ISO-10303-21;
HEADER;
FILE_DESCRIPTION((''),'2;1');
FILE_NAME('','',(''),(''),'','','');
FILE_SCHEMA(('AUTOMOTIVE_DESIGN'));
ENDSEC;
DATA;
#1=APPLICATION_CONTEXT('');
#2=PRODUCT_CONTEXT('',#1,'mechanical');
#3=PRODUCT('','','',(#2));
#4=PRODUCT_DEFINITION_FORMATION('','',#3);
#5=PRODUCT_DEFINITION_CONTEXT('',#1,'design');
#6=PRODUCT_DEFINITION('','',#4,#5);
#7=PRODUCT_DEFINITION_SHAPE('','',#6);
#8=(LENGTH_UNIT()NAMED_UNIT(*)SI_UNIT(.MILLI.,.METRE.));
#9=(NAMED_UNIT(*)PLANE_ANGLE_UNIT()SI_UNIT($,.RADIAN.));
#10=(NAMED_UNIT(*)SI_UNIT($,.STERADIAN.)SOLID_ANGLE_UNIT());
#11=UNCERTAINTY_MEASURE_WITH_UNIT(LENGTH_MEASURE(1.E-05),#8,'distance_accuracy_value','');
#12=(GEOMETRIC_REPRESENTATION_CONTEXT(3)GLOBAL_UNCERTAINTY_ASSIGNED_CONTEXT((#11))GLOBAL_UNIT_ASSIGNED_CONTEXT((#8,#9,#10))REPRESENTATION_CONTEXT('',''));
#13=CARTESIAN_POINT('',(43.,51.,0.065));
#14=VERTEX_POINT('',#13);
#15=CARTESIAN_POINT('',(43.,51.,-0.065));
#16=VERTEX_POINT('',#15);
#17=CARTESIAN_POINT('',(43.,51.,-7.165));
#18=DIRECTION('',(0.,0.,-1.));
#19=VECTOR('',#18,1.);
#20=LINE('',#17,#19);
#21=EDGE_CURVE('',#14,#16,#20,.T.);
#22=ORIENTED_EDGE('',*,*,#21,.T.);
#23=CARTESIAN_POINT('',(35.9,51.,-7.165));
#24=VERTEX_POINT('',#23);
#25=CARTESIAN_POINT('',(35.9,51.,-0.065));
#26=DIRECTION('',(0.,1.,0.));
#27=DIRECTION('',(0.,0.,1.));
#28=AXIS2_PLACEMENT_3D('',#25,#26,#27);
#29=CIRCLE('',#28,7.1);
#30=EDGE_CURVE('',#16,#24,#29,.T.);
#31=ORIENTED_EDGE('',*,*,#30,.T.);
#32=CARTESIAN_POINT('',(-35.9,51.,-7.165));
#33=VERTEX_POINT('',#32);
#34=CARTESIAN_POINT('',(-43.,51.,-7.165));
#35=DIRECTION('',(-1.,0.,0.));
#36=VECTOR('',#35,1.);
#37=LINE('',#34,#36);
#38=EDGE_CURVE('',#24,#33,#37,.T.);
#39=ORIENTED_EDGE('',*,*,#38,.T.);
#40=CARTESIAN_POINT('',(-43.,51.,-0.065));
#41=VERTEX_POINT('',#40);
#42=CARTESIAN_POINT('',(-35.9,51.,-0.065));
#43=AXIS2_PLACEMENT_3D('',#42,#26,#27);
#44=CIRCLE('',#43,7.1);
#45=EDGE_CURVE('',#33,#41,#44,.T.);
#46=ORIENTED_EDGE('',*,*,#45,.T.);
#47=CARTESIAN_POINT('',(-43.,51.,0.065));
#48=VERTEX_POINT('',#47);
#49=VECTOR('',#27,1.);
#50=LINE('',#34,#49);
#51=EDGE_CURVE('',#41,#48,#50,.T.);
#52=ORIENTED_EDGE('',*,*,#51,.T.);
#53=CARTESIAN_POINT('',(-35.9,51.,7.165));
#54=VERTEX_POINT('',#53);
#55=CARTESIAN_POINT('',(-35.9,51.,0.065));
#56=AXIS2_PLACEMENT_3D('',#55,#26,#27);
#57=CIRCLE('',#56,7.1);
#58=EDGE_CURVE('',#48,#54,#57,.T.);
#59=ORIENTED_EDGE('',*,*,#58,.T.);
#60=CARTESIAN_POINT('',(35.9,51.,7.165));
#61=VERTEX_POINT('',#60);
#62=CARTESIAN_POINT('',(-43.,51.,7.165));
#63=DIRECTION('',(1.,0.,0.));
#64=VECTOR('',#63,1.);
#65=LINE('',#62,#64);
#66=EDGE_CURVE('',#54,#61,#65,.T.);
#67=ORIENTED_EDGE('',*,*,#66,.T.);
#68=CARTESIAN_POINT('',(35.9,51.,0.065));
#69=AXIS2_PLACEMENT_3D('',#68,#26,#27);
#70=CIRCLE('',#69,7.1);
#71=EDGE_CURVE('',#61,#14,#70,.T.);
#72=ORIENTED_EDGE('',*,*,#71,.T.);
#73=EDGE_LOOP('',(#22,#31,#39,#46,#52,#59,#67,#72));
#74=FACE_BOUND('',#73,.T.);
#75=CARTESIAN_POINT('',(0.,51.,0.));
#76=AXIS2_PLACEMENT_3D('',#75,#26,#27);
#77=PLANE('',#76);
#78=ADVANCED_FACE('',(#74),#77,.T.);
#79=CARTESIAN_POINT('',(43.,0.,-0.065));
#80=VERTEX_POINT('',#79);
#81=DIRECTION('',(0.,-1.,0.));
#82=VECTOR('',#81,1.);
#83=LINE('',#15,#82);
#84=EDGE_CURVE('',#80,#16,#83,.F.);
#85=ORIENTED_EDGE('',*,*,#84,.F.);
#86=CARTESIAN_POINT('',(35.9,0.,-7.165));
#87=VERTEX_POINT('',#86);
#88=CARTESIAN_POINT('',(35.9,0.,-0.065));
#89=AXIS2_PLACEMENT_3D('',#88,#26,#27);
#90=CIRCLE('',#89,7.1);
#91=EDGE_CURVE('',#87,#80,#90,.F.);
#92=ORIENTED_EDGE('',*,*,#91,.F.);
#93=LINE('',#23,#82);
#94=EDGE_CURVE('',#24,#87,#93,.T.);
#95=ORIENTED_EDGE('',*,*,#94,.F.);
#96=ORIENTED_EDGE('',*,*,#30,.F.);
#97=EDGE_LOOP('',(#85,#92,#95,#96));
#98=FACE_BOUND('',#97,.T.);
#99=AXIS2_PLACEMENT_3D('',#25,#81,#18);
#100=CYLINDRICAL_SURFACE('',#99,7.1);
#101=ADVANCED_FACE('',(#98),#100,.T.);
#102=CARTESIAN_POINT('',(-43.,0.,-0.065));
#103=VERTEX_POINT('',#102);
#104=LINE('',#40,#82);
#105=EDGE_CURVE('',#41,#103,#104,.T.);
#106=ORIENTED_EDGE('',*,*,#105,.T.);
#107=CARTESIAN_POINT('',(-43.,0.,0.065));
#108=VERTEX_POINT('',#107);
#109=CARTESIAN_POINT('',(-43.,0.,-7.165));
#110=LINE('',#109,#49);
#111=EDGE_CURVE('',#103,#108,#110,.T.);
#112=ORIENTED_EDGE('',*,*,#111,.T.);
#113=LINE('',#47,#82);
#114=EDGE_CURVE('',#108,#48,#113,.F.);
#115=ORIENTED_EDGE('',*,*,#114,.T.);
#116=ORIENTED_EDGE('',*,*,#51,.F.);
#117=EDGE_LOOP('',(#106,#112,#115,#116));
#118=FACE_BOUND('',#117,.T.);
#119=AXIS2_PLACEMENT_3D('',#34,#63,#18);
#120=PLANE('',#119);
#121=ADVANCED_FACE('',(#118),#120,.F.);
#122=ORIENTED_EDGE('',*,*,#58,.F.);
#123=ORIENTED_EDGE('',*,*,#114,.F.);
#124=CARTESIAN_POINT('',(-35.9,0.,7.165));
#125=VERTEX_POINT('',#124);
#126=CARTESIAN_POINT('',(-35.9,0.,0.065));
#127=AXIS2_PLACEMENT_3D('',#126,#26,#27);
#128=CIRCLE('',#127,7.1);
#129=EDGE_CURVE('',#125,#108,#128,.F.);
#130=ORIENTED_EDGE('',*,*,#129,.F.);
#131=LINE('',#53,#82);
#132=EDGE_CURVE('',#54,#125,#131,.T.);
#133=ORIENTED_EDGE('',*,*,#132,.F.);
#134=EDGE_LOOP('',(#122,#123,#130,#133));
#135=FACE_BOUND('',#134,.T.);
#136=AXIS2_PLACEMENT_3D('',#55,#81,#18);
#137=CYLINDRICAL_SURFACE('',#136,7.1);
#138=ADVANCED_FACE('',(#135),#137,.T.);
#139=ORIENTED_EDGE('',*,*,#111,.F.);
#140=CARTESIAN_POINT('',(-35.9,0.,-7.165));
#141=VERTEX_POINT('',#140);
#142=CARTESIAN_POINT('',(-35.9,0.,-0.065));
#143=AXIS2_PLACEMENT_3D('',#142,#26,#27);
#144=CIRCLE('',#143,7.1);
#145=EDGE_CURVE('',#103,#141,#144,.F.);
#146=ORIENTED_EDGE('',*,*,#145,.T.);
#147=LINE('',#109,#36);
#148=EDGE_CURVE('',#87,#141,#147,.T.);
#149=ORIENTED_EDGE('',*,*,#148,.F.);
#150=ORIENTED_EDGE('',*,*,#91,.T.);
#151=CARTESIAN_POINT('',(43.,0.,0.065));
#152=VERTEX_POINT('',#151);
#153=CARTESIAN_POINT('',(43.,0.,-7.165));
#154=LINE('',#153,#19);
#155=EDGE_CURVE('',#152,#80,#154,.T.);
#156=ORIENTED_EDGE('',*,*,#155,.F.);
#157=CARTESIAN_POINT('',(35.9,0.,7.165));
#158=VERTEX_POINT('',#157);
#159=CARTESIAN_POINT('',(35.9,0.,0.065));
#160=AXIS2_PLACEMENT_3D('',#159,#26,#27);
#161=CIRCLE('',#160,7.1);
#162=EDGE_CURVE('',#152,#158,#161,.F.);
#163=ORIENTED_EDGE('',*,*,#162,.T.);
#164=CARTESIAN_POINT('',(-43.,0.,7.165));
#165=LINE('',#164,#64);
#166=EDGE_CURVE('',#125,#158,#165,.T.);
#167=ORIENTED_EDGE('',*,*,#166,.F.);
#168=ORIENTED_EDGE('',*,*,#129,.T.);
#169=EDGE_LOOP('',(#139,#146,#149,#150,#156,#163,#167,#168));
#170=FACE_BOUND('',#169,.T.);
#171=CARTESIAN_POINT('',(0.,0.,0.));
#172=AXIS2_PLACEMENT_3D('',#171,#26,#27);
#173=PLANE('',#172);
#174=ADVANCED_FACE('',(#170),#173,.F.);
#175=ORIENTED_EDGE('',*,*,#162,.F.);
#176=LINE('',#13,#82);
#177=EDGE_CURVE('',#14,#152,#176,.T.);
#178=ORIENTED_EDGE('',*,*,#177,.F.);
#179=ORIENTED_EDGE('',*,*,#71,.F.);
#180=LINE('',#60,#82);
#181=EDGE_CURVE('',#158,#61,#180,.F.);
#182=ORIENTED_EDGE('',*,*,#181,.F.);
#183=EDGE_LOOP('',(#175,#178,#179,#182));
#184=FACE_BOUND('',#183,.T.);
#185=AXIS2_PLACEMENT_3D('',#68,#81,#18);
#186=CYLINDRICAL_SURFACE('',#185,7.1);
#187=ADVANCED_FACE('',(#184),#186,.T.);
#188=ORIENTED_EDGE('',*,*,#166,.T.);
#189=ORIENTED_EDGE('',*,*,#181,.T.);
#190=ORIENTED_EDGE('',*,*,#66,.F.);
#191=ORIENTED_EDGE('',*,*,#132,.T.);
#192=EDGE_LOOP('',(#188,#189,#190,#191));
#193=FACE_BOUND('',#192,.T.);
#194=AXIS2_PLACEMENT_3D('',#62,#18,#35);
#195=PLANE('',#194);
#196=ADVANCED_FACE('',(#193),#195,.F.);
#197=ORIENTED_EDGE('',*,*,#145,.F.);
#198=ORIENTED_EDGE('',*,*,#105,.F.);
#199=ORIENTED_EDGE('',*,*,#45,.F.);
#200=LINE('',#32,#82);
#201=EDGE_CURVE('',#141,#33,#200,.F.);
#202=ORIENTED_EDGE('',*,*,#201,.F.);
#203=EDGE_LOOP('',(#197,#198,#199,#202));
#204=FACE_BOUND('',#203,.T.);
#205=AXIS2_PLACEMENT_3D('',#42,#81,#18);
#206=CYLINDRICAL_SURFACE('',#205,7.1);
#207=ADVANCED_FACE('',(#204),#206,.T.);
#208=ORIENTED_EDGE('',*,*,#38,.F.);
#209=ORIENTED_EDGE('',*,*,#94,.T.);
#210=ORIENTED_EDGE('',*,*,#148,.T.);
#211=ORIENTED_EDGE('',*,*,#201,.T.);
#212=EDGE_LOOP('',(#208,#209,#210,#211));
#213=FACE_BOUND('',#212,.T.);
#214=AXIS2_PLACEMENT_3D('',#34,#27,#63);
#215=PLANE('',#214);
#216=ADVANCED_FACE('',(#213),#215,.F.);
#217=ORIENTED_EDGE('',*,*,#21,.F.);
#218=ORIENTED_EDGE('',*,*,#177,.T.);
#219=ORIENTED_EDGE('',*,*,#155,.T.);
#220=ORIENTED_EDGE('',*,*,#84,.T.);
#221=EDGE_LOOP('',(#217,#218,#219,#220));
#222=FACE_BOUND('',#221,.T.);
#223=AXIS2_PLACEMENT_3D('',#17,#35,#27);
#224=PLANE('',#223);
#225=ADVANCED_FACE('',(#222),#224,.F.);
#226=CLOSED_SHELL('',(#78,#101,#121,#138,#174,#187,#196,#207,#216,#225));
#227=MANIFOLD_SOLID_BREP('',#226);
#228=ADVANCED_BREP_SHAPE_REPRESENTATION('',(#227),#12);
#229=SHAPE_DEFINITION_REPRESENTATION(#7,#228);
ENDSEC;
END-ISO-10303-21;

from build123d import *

# Parameters (mm, degrees)
SKETCH1_W           = 86
SKETCH1_H           = 14.33
BOSS_EXTRUDE1_DEPTH = 51
FILLET1_R           = 7.1


with BuildPart() as part:
    # Sketch1 → Boss-Extrude1 (new body)
    with BuildSketch(Plane(origin=(0, 0, 0), x_dir=(1, 0, 0), z_dir=(0, 1, 0))):
        Rectangle(SKETCH1_W, SKETCH1_H)
    extrude(amount=BOSS_EXTRUDE1_DEPTH)

    # Fillet1
    fillet1_edges = [part.edges().sort_by_distance(p)[0] for p in [
        (43, 25.5, 7.165),
        (-43, 25.5, 7.165),
        (-43, 25.5, -7.165),
        (43, 25.5, -7.165),
    ]]
    fillet(fillet1_edges, radius=FILLET1_R)


solid = part.part
